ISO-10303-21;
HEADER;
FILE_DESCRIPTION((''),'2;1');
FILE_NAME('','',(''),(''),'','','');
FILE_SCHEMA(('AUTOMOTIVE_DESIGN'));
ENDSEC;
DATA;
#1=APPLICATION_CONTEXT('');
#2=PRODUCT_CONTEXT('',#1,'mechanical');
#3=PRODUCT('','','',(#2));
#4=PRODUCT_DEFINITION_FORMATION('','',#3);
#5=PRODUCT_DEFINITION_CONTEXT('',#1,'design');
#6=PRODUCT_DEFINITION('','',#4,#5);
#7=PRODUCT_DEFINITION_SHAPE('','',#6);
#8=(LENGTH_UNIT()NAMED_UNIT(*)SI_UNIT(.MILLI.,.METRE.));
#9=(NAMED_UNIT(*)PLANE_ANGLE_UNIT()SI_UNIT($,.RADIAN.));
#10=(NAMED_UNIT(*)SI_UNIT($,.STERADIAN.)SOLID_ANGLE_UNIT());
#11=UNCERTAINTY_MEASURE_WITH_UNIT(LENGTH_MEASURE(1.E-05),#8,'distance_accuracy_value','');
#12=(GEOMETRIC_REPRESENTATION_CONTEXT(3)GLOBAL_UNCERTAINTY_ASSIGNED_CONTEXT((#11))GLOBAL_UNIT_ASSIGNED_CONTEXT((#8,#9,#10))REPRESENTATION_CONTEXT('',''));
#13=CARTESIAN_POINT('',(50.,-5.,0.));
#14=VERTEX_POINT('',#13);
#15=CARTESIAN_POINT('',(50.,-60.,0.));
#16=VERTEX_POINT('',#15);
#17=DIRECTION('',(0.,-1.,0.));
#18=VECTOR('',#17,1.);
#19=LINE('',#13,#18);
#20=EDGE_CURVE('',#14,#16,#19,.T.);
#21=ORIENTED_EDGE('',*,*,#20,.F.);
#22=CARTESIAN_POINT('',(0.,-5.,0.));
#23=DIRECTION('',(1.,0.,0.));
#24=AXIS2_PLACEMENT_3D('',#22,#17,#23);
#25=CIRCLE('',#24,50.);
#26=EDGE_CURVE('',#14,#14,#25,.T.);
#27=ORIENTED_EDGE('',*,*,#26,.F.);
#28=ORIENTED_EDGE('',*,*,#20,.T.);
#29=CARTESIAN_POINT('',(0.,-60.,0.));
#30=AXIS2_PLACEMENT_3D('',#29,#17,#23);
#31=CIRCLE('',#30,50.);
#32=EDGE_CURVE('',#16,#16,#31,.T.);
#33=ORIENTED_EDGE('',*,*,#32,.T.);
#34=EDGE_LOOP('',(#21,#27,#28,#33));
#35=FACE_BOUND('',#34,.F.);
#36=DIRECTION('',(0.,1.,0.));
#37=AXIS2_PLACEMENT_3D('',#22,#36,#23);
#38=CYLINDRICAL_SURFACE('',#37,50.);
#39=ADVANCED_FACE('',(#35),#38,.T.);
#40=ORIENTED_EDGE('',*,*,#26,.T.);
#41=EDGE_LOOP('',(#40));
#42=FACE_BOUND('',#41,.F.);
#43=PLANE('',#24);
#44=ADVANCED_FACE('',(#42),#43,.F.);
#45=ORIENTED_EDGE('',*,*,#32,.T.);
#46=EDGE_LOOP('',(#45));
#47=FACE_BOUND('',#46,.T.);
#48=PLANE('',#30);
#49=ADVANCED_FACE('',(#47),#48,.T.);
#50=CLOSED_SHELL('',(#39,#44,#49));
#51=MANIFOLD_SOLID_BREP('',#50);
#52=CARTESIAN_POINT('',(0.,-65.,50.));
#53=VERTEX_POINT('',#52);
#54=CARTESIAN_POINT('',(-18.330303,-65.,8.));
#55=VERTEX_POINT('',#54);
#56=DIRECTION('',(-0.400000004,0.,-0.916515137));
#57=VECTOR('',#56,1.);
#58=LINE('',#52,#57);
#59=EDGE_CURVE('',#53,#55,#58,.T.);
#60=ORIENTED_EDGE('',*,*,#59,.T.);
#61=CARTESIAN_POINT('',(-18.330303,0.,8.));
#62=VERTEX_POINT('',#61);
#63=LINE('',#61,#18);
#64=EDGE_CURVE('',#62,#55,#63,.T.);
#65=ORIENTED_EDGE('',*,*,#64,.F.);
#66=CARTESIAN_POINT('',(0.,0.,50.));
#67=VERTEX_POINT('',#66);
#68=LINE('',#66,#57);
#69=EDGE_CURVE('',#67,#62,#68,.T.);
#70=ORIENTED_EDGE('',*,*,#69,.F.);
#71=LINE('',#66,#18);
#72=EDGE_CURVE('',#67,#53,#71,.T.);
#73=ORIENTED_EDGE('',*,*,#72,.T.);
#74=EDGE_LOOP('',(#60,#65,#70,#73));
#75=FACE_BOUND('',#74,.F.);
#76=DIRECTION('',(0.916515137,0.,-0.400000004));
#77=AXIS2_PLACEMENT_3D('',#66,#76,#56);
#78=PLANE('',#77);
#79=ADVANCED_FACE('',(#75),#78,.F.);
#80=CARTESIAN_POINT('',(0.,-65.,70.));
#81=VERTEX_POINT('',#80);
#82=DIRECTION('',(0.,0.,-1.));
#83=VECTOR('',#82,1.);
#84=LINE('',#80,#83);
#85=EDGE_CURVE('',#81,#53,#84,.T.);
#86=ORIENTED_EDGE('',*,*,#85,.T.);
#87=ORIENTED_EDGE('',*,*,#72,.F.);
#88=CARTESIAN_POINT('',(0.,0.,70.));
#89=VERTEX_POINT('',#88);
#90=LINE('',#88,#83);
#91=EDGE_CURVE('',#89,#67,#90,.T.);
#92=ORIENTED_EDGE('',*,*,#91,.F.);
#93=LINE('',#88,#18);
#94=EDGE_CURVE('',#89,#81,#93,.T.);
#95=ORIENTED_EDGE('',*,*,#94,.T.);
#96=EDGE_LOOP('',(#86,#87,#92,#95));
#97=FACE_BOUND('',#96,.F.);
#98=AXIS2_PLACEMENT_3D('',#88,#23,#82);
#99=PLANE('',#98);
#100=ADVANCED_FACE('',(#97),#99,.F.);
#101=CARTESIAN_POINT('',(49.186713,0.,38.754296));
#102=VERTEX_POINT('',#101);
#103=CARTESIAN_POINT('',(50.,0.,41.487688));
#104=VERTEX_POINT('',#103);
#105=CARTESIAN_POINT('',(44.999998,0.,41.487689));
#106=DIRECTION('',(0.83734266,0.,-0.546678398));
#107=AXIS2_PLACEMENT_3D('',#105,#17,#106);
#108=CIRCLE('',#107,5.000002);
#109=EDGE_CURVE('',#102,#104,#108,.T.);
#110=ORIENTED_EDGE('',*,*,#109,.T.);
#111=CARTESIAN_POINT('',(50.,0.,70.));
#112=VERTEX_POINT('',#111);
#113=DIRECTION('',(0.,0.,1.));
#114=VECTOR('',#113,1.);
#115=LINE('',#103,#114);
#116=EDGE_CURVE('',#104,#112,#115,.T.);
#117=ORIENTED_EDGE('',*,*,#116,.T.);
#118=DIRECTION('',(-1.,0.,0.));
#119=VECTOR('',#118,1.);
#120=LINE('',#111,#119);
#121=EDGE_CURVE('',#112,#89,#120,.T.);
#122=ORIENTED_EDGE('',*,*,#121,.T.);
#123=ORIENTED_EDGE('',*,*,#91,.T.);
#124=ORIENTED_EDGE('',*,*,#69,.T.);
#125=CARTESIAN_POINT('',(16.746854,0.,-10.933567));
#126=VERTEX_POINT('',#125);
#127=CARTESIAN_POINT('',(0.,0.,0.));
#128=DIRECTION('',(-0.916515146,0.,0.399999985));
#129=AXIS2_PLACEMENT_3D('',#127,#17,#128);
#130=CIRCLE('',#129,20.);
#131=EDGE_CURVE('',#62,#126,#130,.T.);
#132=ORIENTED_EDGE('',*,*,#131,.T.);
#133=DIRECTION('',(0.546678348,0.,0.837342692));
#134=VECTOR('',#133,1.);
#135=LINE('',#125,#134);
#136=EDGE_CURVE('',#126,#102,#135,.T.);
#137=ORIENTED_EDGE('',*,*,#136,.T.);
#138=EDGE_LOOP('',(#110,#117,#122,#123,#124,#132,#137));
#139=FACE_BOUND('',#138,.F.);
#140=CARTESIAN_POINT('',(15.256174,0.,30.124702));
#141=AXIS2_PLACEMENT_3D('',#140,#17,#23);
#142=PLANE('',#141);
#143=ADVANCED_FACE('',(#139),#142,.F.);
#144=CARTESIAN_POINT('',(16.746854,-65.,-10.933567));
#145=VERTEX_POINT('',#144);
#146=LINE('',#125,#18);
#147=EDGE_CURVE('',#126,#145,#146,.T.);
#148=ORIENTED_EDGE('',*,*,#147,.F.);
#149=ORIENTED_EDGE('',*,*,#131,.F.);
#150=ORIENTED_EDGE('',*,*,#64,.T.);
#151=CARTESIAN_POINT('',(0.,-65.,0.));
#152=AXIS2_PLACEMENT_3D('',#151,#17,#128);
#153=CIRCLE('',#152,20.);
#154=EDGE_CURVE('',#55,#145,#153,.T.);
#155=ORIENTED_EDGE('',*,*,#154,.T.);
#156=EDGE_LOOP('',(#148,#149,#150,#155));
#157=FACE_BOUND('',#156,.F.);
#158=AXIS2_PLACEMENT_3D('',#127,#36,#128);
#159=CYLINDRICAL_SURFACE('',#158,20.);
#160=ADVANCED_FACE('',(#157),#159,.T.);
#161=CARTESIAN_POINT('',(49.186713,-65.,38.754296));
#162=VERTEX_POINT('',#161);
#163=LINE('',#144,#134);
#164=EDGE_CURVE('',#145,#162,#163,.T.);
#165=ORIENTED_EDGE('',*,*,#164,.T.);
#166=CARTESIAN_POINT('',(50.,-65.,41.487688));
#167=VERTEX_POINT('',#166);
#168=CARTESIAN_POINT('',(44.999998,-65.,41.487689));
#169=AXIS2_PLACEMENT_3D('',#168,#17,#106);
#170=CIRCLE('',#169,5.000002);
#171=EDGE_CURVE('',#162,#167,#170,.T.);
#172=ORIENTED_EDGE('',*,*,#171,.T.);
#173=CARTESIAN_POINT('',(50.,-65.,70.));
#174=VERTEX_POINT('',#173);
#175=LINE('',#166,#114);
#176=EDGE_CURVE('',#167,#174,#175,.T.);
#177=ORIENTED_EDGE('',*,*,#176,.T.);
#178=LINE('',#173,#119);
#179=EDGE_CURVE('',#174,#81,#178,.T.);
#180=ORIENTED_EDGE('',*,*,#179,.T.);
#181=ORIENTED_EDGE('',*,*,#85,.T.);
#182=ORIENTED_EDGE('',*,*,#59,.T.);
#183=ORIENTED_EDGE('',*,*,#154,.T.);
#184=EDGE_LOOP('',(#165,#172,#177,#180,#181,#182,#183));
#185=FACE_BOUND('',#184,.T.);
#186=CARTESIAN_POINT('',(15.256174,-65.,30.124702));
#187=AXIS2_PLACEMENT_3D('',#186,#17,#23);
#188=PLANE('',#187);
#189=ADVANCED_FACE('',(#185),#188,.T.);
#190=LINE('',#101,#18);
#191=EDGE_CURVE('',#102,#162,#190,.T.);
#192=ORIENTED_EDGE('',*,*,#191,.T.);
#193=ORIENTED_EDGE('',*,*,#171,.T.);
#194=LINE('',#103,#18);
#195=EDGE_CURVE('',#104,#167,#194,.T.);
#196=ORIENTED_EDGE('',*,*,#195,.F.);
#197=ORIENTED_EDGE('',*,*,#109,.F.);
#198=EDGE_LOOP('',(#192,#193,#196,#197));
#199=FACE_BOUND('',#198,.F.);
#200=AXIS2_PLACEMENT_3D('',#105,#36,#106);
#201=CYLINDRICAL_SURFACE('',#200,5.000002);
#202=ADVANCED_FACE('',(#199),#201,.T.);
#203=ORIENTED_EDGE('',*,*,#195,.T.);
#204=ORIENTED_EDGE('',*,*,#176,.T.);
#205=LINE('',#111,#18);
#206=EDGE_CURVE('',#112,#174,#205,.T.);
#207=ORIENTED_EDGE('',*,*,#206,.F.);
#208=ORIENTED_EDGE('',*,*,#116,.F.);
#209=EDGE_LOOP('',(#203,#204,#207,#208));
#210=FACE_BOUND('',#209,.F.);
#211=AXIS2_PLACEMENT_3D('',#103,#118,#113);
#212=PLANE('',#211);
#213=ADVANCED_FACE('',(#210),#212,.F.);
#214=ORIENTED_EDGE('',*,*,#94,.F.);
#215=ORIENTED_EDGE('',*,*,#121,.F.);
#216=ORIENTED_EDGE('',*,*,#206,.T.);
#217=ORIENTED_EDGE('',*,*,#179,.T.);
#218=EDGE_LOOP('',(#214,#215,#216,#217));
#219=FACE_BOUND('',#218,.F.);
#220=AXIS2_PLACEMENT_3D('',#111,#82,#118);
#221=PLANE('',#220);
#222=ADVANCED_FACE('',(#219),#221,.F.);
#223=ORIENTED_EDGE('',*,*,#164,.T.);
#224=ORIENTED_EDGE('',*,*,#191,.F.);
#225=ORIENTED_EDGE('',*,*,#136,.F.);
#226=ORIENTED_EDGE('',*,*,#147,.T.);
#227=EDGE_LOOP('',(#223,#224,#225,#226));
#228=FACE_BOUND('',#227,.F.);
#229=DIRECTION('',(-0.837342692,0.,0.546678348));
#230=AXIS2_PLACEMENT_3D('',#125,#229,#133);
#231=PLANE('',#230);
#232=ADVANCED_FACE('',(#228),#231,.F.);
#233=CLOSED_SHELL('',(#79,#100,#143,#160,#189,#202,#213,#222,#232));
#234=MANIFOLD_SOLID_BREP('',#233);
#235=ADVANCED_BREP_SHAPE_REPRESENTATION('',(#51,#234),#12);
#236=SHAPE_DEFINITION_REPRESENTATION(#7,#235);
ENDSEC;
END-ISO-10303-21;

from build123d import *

# Parameters (mm, degrees)
F1_DEPTH = 65
F2_R     = 50
F3_DEPTH = 55


with BuildPart() as f1:
    # F0 (on Front) → F1 (new body)
    with BuildSketch(Plane.XZ):
        with BuildLine():
            Line((0, 50), (-18.330303, 8))
            ThreePointArc((-18.330303, 8), (-9.499833, -17.599806), (16.746854, -10.933567))
            Line((16.746854, -10.933567), (49.186713, 38.754296))
            ThreePointArc((49.186713, 38.754296), (49.792367, 40.061779), (50, 41.487688))
            Line((50, 41.487688), (50, 70))
            Line((50, 70), (0, 70))
            Line((0, 70), (0, 50))
        make_face()
    extrude(amount=F1_DEPTH)


with BuildPart() as f3:
    # F2 (on Front) → F3 (new body)
    with BuildSketch(Plane.XZ):
        Circle(F2_R)
    extrude(amount=F3_DEPTH)


with BuildPart() as f3_1:
    # F4: moved
    add(f3.part.moved(Location((0, -5, 0))))


solid = Compound([f1.part, f3_1.part])
